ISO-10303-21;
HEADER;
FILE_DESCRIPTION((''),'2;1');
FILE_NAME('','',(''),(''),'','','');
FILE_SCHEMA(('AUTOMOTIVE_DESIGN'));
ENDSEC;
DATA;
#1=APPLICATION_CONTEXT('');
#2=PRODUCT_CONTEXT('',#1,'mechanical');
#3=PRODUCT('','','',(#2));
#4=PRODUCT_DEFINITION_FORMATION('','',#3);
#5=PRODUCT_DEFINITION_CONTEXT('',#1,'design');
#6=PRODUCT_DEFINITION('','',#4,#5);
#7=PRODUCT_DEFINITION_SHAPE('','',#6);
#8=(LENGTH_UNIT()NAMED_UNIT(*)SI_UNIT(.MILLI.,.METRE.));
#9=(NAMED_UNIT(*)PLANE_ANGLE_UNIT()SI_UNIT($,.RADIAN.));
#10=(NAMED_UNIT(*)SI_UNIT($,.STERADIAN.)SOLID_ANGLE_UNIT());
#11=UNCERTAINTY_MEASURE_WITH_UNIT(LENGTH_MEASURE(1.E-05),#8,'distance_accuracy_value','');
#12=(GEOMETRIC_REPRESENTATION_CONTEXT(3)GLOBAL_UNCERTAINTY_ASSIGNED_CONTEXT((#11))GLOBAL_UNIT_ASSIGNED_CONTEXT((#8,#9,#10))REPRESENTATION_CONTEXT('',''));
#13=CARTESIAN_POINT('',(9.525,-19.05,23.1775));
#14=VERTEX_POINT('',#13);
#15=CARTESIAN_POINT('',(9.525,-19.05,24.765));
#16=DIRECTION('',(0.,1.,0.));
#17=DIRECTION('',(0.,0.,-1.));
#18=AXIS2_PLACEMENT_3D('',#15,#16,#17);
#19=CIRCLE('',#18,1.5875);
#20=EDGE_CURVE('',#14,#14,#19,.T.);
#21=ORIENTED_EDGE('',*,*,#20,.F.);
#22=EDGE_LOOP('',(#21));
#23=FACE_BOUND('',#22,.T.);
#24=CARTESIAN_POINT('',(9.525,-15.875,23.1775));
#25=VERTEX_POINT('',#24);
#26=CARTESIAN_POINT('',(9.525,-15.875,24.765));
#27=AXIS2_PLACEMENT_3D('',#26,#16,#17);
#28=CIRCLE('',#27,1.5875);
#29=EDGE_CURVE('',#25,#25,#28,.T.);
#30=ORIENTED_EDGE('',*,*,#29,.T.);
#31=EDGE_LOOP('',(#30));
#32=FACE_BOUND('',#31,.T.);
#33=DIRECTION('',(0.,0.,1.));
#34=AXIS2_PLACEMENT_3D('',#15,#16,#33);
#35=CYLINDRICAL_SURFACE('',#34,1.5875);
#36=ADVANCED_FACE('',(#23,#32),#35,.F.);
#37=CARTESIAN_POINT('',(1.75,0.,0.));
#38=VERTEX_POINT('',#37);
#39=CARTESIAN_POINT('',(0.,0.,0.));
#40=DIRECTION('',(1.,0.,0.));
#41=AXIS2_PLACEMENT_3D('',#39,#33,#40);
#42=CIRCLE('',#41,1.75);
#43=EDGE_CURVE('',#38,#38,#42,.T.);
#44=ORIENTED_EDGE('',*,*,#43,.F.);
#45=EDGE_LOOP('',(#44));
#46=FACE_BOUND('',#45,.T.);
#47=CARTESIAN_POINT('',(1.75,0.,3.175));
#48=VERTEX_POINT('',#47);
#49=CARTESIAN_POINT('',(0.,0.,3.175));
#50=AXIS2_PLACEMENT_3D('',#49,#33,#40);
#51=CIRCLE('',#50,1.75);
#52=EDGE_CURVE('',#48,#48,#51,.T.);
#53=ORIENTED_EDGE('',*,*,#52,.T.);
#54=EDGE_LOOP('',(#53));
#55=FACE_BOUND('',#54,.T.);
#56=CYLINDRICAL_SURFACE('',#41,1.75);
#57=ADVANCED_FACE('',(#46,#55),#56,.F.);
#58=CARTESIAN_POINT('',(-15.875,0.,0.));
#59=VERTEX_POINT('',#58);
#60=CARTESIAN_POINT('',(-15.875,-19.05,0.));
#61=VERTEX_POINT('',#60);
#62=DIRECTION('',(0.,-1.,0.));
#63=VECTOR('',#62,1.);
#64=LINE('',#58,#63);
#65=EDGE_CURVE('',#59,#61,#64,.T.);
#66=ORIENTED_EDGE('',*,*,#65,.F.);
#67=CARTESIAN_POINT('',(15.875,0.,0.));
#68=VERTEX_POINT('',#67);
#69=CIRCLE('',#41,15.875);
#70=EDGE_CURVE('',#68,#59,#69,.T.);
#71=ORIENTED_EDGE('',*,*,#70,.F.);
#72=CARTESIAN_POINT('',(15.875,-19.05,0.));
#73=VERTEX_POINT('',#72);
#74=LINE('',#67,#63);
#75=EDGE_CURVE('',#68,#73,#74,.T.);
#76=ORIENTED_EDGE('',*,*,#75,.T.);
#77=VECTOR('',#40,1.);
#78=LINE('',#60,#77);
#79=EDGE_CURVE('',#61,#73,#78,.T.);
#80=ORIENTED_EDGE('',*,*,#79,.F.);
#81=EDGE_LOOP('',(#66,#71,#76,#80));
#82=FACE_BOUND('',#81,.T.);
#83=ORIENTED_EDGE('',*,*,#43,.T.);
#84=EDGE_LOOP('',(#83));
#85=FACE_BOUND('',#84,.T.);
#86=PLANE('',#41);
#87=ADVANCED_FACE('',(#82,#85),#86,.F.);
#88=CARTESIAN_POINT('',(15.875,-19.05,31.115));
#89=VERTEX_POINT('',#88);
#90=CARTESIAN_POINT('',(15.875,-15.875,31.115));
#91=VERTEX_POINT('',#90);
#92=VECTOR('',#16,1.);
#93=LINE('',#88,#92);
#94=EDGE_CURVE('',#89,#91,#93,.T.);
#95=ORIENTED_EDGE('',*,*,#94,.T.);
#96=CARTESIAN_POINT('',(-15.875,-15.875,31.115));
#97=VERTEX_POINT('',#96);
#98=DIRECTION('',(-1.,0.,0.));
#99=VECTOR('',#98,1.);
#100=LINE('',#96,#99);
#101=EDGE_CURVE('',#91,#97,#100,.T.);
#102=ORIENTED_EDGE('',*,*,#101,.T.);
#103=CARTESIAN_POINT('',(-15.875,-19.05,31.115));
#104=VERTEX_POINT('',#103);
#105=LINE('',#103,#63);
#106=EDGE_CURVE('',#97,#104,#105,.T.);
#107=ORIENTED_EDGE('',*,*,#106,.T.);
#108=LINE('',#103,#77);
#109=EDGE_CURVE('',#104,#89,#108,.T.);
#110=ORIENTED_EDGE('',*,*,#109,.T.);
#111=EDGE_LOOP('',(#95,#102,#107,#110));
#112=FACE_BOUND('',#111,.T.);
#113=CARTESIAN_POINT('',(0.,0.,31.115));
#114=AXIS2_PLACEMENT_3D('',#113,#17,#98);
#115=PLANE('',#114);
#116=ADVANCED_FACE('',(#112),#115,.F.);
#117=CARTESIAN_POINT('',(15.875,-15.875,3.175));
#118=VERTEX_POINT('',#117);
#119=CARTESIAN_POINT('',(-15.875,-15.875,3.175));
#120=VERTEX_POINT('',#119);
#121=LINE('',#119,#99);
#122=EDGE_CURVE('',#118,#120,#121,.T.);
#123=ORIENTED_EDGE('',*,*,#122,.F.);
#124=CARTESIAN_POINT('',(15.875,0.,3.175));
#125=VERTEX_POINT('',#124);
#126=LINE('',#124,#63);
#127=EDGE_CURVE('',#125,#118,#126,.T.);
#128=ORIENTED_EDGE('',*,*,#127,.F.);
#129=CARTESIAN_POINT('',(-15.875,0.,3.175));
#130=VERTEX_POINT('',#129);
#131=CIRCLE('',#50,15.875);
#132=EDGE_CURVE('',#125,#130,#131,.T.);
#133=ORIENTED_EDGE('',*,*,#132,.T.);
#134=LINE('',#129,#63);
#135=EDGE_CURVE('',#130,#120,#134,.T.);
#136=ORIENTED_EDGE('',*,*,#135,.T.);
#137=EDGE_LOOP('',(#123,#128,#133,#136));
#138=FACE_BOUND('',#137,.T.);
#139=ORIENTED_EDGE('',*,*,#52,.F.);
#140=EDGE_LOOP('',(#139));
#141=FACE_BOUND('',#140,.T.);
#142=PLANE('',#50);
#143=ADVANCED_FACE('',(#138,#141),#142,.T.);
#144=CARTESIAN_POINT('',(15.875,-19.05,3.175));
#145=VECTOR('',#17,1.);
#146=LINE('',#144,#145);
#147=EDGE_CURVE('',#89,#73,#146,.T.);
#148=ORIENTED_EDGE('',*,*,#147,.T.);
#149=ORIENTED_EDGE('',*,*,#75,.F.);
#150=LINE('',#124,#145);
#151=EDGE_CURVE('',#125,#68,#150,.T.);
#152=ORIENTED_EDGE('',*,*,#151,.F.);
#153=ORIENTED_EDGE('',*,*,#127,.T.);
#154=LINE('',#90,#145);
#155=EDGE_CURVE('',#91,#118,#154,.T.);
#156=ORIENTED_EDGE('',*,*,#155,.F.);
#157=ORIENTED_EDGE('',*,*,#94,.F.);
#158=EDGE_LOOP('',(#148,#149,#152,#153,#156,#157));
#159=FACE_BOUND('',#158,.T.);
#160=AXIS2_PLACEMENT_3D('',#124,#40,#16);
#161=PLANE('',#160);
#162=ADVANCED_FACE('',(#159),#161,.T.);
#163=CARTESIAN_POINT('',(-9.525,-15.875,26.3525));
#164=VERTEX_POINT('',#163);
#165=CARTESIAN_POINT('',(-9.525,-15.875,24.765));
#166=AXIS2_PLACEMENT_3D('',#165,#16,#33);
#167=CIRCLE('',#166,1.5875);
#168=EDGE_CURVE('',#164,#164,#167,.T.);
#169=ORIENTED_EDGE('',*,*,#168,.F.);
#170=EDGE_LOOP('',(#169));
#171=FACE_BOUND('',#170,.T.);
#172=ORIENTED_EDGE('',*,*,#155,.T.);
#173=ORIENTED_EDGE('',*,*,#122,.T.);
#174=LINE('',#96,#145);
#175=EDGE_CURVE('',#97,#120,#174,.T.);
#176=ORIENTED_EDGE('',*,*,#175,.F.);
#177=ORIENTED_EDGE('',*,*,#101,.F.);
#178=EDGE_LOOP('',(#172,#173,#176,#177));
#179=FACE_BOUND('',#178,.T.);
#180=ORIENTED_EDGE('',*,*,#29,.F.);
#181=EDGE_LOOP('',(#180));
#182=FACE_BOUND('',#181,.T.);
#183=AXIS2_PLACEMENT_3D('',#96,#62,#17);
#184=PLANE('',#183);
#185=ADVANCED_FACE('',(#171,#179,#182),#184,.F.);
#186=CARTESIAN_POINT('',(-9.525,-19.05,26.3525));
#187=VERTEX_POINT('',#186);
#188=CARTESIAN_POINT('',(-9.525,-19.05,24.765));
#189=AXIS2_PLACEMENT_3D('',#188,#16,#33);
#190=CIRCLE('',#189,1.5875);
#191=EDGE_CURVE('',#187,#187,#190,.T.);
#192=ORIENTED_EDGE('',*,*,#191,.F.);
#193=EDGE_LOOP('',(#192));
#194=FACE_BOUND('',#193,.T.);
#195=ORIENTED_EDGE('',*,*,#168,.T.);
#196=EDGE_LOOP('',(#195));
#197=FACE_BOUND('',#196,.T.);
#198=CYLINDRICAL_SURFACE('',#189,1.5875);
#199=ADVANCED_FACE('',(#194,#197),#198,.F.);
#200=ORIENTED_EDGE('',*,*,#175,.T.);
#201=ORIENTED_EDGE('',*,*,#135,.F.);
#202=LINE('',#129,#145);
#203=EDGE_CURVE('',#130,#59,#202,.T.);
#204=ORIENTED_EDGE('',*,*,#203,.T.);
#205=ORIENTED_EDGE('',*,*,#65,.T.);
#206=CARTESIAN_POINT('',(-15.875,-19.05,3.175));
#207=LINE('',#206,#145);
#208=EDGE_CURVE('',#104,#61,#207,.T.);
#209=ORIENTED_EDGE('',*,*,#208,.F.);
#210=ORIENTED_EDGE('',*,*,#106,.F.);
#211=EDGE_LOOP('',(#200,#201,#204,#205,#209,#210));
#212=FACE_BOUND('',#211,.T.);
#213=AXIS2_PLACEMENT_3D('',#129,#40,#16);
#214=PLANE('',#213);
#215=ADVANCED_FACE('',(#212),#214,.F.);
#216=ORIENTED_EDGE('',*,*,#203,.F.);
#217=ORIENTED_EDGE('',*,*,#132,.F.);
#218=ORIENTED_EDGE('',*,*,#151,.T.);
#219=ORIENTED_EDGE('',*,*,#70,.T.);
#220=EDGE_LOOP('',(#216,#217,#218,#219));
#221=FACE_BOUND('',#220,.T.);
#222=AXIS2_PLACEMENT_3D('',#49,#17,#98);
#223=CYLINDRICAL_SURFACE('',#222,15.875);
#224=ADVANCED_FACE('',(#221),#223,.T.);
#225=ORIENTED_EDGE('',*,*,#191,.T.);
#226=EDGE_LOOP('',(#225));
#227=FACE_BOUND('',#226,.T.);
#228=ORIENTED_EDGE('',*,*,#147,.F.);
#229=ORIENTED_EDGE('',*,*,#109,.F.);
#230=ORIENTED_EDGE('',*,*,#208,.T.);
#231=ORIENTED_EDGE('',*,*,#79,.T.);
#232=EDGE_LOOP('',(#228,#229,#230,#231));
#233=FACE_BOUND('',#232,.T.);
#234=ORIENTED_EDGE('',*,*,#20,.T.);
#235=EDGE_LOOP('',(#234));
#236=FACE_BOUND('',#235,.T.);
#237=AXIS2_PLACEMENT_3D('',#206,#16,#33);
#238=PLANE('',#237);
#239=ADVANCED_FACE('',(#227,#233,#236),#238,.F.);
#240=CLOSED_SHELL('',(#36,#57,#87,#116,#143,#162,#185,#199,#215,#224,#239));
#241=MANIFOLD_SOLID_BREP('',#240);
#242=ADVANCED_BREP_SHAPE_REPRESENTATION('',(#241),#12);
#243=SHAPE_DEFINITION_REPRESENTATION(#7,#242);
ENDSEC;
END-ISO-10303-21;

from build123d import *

# Parameters (mm, degrees)
BOSS_EXTRUDE1_DEPTH = 3.175
SKETCH4_W           = 31.75
SKETCH4_H           = 3.175
BOSS_EXTRUDE2_DEPTH = 27.94
SKETCH5_R           = 1.5875
CUT_EXTRUDE2_DEPTH  = 48.204039552
SKETCH6_R           = 1.75
CUT_EXTRUDE3_DEPTH  = 38.357217843


with BuildPart() as part:
    # Sketch1 → Boss-Extrude1 (new body)
    with BuildSketch(Plane.XY):
        with BuildLine():
            ThreePointArc((15.875, 0), (0, 15.875), (-15.875, 0))
            Line((-15.875, 0), (15.875, 0))
        make_face()
        with BuildLine():
            ThreePointArc((15.875, 0), (0, -15.875), (-15.875, 0))
            Line((-15.875, 0), (-15.875, -19.05))
            Line((-15.875, -19.05), (15.875, -19.05))
            Line((15.875, -19.05), (15.875, 0))
        make_face()
        with BuildLine():
            Line((15.875, 0), (-15.875, 0))
            ThreePointArc((-15.875, 0), (0, -15.875), (15.875, 0))
        make_face()
    extrude(amount=BOSS_EXTRUDE1_DEPTH)

    # Sketch4 → Boss-Extrude2 (add)
    with BuildSketch(Plane.XY.offset(3.175)):
        with Locations((0, -17.4625)):
            Rectangle(SKETCH4_W, SKETCH4_H)
    extrude(amount=BOSS_EXTRUDE2_DEPTH)

    # Sketch5 → Cut-Extrude2 (cut, through all)
    with BuildSketch(Plane(origin=(0, -15.875, 0), x_dir=(1, 0, 0), z_dir=(0, 1, 0))):
        with Locations(Location((-9.525, -24.765, 0), (0, 0, 270))):
            Circle(SKETCH5_R)
        with Locations(Location((9.525, -24.765, 0), (0, 0, 90))):
            Circle(SKETCH5_R)
    extrude(amount=-CUT_EXTRUDE2_DEPTH, mode=Mode.SUBTRACT)

    # Sketch6 → Cut-Extrude3 (cut, through all)
    with BuildSketch(Plane.XY.offset(3.175)):
        Circle(SKETCH6_R)
    extrude(amount=-CUT_EXTRUDE3_DEPTH, mode=Mode.SUBTRACT)


solid = part.part
